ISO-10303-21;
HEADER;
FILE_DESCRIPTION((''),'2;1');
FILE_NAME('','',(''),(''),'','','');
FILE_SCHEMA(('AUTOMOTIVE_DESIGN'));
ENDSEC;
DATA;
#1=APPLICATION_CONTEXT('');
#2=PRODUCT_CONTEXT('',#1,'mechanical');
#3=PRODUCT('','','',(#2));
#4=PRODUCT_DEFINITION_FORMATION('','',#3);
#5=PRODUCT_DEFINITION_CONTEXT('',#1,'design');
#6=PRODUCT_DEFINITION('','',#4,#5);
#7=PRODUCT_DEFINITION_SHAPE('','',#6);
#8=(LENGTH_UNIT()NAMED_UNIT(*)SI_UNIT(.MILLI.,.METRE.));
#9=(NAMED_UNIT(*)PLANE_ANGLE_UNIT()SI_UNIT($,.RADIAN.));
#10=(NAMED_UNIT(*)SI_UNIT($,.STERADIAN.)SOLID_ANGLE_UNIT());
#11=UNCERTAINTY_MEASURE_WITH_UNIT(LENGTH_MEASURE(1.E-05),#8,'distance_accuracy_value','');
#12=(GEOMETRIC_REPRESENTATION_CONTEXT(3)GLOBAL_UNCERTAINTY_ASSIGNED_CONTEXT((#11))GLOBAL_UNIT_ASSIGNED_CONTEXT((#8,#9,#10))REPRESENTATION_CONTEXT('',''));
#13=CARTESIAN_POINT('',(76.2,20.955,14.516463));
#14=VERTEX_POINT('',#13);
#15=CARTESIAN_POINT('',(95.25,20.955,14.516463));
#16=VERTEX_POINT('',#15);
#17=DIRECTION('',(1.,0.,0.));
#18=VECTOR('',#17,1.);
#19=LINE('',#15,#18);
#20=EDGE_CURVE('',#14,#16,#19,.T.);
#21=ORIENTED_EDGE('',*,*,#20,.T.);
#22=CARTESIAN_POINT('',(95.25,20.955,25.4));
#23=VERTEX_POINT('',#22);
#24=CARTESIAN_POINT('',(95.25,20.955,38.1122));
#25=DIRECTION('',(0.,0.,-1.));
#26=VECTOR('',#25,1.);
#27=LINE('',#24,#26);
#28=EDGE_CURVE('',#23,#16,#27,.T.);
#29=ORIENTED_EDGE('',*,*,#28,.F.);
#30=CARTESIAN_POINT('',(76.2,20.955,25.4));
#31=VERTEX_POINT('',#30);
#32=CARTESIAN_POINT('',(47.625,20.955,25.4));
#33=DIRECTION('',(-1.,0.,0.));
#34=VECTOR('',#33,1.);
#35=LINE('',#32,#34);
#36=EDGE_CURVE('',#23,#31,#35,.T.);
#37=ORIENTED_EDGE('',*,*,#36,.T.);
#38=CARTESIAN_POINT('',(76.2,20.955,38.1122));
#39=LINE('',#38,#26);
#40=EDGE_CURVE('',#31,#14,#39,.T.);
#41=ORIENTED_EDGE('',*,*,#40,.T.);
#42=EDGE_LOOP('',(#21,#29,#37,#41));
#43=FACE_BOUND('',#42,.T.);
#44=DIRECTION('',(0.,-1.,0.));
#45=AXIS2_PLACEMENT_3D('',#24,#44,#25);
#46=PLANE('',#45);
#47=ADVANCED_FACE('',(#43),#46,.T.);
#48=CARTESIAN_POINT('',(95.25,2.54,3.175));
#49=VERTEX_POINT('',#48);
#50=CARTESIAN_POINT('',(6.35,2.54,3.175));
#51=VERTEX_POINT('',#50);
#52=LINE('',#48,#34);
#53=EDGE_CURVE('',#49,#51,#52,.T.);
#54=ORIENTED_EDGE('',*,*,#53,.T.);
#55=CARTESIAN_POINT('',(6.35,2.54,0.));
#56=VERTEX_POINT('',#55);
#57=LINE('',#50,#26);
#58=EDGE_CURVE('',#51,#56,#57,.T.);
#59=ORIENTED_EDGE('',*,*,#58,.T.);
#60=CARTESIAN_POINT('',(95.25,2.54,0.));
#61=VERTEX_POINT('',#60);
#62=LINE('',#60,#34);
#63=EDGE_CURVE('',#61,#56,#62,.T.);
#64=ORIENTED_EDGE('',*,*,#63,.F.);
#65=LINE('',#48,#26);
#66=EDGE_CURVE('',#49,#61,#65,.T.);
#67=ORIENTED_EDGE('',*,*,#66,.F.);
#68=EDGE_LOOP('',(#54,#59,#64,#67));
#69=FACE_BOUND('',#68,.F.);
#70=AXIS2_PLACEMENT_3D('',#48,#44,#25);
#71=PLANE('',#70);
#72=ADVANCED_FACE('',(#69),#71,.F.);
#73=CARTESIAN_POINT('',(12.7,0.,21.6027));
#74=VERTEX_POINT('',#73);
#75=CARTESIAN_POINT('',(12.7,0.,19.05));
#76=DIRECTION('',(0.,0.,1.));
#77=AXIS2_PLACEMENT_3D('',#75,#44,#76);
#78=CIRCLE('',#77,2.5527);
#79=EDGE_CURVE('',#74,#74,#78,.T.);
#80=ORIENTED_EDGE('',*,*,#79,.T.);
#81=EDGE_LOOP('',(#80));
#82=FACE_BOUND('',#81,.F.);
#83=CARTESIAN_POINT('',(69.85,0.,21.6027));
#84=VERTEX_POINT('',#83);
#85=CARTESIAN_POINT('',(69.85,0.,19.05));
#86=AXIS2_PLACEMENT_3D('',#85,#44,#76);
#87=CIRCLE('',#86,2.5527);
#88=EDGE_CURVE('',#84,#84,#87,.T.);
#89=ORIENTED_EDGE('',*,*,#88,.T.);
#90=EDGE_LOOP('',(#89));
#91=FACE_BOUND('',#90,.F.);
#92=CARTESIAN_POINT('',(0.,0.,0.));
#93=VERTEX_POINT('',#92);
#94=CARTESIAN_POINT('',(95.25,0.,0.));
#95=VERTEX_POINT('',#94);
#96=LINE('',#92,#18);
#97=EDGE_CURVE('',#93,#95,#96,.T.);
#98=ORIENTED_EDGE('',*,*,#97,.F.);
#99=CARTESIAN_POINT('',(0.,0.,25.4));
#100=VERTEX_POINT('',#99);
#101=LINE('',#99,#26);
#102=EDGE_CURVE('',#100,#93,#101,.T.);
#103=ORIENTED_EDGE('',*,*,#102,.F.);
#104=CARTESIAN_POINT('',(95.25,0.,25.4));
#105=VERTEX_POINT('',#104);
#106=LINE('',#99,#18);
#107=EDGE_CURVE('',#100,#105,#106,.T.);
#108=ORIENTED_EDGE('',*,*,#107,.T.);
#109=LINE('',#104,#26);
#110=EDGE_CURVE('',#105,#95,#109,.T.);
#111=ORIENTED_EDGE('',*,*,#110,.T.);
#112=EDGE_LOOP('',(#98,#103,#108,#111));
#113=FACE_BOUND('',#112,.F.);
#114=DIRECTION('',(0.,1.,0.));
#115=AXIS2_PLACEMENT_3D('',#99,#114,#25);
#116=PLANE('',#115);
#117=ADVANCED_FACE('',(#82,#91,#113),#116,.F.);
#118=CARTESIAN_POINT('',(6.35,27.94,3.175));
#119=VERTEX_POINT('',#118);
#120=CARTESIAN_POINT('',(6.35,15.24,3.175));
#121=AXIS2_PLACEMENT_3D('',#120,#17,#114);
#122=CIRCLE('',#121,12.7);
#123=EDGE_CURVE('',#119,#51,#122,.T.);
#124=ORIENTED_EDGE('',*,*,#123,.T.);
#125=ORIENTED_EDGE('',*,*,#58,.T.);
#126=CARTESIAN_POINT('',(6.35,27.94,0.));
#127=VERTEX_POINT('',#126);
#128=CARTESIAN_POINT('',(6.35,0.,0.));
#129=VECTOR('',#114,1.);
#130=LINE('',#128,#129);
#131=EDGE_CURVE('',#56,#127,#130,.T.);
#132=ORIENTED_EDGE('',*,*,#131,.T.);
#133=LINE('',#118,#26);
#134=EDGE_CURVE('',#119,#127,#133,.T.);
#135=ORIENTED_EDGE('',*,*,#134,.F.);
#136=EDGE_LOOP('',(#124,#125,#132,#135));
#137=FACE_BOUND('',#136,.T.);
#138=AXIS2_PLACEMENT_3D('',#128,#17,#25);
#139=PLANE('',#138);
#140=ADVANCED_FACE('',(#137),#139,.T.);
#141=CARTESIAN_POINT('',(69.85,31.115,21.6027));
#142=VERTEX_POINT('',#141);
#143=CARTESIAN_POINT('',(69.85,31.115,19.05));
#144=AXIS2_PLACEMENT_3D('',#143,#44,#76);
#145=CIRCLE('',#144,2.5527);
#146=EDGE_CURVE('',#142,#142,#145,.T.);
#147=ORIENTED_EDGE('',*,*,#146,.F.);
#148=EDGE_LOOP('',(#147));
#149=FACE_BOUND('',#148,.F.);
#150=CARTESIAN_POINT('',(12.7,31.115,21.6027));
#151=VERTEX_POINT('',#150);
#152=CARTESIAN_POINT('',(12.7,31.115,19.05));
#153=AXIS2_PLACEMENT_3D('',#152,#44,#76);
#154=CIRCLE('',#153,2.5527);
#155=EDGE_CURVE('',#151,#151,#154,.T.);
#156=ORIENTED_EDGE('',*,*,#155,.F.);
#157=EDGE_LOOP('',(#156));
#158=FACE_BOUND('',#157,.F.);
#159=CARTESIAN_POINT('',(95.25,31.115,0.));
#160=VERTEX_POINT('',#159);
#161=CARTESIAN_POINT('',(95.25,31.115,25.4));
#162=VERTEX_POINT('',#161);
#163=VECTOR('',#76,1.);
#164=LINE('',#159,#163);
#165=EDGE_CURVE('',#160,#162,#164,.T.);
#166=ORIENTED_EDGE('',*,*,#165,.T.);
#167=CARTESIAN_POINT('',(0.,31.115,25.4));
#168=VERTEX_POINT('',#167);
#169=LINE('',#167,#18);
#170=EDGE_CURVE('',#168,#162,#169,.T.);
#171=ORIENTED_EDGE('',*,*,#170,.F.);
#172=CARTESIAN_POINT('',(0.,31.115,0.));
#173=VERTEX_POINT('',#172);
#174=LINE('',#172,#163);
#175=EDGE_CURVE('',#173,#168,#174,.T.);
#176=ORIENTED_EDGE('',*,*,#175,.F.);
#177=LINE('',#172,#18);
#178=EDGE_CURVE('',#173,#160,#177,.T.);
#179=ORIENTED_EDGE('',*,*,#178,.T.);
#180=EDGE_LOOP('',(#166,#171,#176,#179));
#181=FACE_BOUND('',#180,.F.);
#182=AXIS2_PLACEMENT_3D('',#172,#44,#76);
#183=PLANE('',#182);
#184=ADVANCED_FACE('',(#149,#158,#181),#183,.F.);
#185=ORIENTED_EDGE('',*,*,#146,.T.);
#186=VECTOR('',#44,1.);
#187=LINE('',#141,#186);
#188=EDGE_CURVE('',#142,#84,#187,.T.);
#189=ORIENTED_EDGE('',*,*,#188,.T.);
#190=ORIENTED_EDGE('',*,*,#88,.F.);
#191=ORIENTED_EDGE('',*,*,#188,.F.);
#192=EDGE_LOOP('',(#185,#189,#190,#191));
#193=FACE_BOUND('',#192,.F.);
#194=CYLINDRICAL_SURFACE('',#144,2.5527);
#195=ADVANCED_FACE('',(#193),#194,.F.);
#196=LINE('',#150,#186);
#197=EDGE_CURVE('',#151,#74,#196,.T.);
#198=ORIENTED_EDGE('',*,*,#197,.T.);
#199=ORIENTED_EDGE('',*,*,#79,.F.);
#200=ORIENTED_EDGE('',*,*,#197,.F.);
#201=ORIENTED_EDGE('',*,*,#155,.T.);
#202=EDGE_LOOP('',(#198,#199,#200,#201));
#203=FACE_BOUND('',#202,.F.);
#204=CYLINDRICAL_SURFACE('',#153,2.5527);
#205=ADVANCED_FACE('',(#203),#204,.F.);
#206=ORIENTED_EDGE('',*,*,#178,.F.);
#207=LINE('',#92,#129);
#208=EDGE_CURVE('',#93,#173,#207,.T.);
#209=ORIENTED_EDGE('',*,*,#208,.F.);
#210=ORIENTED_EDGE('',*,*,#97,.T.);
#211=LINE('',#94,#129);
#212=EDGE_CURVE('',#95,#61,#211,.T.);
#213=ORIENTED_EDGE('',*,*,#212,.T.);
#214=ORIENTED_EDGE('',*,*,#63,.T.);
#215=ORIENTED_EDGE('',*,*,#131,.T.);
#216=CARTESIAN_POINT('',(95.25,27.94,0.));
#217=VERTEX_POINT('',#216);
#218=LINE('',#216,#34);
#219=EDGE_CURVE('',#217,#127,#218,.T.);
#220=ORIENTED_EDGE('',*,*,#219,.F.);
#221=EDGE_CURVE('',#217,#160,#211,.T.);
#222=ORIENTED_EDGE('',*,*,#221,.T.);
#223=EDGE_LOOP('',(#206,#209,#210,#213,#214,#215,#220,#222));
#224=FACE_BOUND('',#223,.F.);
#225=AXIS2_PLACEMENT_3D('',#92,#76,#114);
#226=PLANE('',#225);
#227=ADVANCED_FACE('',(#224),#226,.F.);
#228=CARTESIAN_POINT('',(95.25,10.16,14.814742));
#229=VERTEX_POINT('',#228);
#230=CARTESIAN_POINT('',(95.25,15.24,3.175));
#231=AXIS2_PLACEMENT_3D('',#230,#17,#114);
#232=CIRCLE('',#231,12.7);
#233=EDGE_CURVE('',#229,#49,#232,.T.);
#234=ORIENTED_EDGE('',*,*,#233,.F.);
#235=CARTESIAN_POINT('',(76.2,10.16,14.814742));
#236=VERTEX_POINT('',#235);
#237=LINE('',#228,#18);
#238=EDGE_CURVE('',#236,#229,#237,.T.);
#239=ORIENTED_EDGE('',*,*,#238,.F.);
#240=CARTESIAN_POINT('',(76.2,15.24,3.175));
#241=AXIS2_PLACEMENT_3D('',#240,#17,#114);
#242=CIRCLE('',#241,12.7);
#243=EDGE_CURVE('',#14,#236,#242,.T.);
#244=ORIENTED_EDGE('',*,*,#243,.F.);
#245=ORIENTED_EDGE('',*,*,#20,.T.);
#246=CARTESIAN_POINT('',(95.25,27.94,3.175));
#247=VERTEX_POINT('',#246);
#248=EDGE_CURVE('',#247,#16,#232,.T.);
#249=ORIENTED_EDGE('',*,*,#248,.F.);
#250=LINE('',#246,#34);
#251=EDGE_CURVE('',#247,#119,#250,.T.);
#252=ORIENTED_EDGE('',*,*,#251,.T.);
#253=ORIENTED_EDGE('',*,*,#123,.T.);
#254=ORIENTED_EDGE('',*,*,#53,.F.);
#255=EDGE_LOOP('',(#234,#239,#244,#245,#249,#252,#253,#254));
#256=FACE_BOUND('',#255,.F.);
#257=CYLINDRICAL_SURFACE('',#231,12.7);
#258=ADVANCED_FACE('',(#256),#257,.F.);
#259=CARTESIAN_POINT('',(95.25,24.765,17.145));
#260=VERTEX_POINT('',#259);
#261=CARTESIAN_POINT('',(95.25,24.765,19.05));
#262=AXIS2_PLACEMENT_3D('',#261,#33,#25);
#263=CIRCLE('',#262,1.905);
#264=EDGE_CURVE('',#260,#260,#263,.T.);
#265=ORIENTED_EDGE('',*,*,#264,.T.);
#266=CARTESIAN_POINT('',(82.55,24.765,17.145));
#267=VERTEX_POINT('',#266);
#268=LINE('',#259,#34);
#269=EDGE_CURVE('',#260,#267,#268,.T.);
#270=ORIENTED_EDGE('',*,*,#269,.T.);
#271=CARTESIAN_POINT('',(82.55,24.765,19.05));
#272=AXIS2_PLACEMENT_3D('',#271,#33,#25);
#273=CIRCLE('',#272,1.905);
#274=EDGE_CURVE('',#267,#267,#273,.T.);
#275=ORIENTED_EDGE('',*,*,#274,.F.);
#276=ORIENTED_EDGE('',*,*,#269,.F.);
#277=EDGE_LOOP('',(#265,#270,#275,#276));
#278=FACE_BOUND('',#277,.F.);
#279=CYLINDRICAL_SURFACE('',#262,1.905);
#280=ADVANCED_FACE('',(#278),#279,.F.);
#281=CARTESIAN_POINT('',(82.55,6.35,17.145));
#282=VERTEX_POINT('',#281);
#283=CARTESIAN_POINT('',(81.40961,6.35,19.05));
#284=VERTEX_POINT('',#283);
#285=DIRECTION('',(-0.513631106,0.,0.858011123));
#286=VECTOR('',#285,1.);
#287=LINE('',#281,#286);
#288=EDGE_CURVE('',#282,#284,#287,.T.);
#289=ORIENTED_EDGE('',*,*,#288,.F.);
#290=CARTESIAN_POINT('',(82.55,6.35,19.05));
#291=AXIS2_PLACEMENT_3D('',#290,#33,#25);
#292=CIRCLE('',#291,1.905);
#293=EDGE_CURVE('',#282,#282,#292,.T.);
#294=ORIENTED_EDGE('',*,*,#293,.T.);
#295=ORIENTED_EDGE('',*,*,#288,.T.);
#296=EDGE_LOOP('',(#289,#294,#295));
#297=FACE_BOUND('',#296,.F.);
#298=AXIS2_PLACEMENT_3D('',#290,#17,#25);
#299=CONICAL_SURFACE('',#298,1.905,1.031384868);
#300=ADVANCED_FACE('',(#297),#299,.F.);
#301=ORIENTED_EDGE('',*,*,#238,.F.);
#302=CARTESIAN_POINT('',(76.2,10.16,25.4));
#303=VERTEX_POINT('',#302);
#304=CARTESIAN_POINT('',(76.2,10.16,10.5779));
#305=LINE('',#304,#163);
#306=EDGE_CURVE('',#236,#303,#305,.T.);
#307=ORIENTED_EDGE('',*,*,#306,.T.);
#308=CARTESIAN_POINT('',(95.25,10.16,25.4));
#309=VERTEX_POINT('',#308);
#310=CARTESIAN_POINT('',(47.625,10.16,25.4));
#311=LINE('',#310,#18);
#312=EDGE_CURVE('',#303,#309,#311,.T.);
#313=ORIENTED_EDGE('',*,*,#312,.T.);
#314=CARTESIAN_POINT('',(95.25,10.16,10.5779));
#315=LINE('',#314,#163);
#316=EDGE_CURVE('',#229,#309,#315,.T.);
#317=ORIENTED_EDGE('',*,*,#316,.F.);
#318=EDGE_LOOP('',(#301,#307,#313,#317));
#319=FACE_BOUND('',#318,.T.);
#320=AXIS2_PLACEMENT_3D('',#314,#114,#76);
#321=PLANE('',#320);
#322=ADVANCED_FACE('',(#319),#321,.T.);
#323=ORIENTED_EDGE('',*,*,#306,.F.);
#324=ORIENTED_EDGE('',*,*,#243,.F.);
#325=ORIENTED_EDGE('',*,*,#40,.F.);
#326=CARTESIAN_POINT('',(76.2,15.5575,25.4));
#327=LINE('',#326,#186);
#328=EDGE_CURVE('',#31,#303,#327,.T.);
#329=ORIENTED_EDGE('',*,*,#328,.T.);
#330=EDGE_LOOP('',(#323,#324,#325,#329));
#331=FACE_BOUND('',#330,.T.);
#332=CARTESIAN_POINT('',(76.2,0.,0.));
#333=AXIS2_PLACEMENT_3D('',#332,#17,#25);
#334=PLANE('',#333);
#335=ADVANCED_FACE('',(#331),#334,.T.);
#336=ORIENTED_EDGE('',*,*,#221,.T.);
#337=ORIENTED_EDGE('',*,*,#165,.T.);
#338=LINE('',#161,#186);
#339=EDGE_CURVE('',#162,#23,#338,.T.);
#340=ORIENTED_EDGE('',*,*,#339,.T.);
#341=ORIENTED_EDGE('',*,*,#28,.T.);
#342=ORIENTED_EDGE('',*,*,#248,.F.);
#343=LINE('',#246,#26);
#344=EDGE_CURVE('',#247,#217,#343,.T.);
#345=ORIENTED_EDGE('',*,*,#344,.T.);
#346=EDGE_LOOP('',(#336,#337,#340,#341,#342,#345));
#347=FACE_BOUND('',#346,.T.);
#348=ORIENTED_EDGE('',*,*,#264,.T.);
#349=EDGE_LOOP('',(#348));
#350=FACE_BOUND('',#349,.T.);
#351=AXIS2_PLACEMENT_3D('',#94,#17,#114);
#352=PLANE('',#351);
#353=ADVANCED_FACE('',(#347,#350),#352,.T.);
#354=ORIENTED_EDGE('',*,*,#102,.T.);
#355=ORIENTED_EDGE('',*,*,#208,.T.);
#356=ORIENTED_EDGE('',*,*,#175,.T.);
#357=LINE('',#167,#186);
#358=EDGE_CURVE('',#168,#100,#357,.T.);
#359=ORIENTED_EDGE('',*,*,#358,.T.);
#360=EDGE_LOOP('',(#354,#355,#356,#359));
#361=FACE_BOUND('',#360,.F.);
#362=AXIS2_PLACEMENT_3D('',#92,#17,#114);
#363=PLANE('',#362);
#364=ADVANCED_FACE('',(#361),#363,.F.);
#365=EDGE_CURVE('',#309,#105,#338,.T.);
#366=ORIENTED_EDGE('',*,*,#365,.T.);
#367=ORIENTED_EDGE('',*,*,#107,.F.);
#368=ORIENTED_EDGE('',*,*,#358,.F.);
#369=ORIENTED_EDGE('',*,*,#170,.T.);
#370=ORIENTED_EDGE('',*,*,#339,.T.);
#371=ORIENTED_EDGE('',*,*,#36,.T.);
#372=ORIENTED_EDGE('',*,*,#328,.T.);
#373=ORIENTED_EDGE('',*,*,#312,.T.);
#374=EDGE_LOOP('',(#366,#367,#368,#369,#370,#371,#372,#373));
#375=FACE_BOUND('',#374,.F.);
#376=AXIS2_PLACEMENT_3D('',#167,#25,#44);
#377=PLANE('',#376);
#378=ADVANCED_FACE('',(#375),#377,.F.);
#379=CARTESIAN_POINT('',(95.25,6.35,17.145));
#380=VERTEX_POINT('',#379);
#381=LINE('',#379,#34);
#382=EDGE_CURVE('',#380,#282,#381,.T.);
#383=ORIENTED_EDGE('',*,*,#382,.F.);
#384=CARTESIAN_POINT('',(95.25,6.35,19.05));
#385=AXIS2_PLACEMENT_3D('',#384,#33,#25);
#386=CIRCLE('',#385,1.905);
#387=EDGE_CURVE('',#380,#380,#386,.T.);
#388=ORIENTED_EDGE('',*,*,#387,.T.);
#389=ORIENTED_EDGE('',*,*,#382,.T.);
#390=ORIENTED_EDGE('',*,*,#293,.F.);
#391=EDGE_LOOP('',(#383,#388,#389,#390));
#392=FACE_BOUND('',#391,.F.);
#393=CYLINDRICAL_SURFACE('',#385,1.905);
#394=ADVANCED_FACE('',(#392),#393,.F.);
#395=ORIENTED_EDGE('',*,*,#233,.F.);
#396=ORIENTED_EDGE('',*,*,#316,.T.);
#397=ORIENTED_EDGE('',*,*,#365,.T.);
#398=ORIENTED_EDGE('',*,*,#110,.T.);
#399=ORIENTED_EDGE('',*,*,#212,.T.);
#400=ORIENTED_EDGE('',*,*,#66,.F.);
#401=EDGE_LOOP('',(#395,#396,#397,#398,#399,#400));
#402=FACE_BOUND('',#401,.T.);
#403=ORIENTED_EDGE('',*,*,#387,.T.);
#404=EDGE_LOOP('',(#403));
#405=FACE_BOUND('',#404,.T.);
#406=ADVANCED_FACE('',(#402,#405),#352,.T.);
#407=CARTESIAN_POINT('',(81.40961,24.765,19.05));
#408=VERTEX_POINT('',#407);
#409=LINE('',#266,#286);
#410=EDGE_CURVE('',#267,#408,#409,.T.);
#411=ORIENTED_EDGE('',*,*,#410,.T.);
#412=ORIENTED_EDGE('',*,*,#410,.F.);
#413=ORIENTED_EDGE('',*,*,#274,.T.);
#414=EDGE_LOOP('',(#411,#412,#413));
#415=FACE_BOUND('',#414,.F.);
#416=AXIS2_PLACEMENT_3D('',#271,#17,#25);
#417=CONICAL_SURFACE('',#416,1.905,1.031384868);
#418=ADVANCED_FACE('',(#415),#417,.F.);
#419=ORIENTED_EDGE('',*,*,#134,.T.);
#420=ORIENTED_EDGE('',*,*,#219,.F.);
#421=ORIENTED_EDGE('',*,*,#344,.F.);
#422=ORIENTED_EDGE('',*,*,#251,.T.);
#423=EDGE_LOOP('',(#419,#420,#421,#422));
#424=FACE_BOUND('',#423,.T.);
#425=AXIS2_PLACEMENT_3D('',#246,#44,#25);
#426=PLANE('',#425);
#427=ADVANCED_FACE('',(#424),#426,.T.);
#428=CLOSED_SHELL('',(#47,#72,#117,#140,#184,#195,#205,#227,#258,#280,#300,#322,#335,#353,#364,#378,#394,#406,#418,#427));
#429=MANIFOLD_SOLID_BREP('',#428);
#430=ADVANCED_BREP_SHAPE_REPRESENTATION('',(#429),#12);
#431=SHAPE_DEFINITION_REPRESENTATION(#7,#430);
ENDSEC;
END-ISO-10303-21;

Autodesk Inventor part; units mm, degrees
ref_plane "YZ Plane" through (0, 0, 0) normal (1, 0, 0) x (0, 1, 0)
ref_plane "XZ Plane" through (0, 0, 0) normal (0, 1, 0) x (-1, 0, 0)
ref_plane "XY Plane" through (0, 0, 0) normal (0, 0, 1) x (1, 0, 0)
sketch "Sketch1" plane through (0, 0, 0) normal (1, 0, 0) x (0, 1, 0)
  line L0 (0, 0) -> (31.115, 0)
  line L1 (31.115, 0) -> (31.115, 25.4)
  line L2 (31.115, 25.4) -> (0, 25.4)
  line L3 (0, 25.4) -> (0, 0)
  dimension "d0" = 25.4
  dimension "d1" = 31.115
extrude "Extrusion1" add sketch "Sketch1" along normal blind 95.25
sketch "Sketch2" plane through (95.25, 0, 0) normal (1, 0, 0) x (0, 0, -1)
  arc A0 (-3.175, 27.94) -> (-3.175, 2.54) centre (-3.175, 15.24) ccw
  line L0 (0, 0) -> (0, 31.115) projected
  line L1 (-25.4, 0) -> (0, 0) projected
  line L2 (-3.175, 27.94) -> (0, 27.94)
  line L3 (-3.175, 2.54) -> (0, 2.54)
  dimension "d4" = 3.175
  dimension "d5" = 15.24
  dimension "d6" = 25.4
extrude "Extrusion2" cut sketch "Sketch2" against normal blind 88.9
sketch "Sketch3" plane through (0, 31.115, 25.4) normal (0, 1, 0) x (1, 0, 0)
  line L0 (0, 25.4) -> (0, 0) projected
  line L1 (95.25, 25.4) -> (95.25, 0) projected
  line L2 (0, 0) -> (95.25, 0) projected
  point P0 (12.7, 6.35)
  point P1 (69.85, 6.35)
  dimension "d9" = 0
  dimension "d10" = 12.7
  dimension "d12" = 6.35
  dimension "d35" = 69.85
hole "Hole1" at (12.7, 31.115, 19.05) at (69.85, 31.115, 19.05) direction (0, -1, 0) diameter 5.1054 end through all clearance for "Flat Head Machine Screw (82)" size "#10" standard "Ansi Unified Screw Threads"
sketch "Sketch5" plane through (95.25, 0, 0) normal (1, 0, 0) x (0, 0, -1)
  line L0 (-25.4, 31.115) -> (-25.4, 0) projected
  line L1 (-25.4, 0) -> (0, 0) projected
  line L2 (-25.4, 31.115) -> (-25.4, 0) projected
  line L3 (0, 31.115) -> (-25.4, 31.115) projected
  point P0 (-19.05, 24.765)
  point P1 (-19.05, 6.35)
  point P2 (-25.4, 10.16)
  point P3 (-25.4, 20.32)
  dimension "d24" = 6.35
  dimension "d25" = 6.35
  dimension "d26" = 6.35
  dimension "d27" = 6.35
hole "Hole2" at (95.25, 24.765, 19.05) at (95.25, 6.35, 19.05) direction (-1, 0, 0) diameter 3.81 depth 12.7 tip angle 118.188
sketch "Sketch6" plane through (95.25, 0, 0) normal (1, 0, 0) x (0, 0, -1)
  line L0 (-38.1122, 20.955) -> (-10.5779, 20.955)
  line L1 (-10.5779, 20.955) -> (-10.5779, 10.16)
  line L2 (-10.5779, 10.16) -> (-38.1122, 10.16)
  line L3 (-38.1122, 10.16) -> (-38.1122, 20.955)
  line L4 (-25.4, 0) -> (0, 0) projected
  line L5 (0, 31.115) -> (-25.4, 31.115) projected
  dimension "d36" = 10.16
  dimension "d37" = 10.16
extrude "Extrusion4" cut sketch "Sketch6" against normal blind 19.05
properties part number "BatteryRail"
